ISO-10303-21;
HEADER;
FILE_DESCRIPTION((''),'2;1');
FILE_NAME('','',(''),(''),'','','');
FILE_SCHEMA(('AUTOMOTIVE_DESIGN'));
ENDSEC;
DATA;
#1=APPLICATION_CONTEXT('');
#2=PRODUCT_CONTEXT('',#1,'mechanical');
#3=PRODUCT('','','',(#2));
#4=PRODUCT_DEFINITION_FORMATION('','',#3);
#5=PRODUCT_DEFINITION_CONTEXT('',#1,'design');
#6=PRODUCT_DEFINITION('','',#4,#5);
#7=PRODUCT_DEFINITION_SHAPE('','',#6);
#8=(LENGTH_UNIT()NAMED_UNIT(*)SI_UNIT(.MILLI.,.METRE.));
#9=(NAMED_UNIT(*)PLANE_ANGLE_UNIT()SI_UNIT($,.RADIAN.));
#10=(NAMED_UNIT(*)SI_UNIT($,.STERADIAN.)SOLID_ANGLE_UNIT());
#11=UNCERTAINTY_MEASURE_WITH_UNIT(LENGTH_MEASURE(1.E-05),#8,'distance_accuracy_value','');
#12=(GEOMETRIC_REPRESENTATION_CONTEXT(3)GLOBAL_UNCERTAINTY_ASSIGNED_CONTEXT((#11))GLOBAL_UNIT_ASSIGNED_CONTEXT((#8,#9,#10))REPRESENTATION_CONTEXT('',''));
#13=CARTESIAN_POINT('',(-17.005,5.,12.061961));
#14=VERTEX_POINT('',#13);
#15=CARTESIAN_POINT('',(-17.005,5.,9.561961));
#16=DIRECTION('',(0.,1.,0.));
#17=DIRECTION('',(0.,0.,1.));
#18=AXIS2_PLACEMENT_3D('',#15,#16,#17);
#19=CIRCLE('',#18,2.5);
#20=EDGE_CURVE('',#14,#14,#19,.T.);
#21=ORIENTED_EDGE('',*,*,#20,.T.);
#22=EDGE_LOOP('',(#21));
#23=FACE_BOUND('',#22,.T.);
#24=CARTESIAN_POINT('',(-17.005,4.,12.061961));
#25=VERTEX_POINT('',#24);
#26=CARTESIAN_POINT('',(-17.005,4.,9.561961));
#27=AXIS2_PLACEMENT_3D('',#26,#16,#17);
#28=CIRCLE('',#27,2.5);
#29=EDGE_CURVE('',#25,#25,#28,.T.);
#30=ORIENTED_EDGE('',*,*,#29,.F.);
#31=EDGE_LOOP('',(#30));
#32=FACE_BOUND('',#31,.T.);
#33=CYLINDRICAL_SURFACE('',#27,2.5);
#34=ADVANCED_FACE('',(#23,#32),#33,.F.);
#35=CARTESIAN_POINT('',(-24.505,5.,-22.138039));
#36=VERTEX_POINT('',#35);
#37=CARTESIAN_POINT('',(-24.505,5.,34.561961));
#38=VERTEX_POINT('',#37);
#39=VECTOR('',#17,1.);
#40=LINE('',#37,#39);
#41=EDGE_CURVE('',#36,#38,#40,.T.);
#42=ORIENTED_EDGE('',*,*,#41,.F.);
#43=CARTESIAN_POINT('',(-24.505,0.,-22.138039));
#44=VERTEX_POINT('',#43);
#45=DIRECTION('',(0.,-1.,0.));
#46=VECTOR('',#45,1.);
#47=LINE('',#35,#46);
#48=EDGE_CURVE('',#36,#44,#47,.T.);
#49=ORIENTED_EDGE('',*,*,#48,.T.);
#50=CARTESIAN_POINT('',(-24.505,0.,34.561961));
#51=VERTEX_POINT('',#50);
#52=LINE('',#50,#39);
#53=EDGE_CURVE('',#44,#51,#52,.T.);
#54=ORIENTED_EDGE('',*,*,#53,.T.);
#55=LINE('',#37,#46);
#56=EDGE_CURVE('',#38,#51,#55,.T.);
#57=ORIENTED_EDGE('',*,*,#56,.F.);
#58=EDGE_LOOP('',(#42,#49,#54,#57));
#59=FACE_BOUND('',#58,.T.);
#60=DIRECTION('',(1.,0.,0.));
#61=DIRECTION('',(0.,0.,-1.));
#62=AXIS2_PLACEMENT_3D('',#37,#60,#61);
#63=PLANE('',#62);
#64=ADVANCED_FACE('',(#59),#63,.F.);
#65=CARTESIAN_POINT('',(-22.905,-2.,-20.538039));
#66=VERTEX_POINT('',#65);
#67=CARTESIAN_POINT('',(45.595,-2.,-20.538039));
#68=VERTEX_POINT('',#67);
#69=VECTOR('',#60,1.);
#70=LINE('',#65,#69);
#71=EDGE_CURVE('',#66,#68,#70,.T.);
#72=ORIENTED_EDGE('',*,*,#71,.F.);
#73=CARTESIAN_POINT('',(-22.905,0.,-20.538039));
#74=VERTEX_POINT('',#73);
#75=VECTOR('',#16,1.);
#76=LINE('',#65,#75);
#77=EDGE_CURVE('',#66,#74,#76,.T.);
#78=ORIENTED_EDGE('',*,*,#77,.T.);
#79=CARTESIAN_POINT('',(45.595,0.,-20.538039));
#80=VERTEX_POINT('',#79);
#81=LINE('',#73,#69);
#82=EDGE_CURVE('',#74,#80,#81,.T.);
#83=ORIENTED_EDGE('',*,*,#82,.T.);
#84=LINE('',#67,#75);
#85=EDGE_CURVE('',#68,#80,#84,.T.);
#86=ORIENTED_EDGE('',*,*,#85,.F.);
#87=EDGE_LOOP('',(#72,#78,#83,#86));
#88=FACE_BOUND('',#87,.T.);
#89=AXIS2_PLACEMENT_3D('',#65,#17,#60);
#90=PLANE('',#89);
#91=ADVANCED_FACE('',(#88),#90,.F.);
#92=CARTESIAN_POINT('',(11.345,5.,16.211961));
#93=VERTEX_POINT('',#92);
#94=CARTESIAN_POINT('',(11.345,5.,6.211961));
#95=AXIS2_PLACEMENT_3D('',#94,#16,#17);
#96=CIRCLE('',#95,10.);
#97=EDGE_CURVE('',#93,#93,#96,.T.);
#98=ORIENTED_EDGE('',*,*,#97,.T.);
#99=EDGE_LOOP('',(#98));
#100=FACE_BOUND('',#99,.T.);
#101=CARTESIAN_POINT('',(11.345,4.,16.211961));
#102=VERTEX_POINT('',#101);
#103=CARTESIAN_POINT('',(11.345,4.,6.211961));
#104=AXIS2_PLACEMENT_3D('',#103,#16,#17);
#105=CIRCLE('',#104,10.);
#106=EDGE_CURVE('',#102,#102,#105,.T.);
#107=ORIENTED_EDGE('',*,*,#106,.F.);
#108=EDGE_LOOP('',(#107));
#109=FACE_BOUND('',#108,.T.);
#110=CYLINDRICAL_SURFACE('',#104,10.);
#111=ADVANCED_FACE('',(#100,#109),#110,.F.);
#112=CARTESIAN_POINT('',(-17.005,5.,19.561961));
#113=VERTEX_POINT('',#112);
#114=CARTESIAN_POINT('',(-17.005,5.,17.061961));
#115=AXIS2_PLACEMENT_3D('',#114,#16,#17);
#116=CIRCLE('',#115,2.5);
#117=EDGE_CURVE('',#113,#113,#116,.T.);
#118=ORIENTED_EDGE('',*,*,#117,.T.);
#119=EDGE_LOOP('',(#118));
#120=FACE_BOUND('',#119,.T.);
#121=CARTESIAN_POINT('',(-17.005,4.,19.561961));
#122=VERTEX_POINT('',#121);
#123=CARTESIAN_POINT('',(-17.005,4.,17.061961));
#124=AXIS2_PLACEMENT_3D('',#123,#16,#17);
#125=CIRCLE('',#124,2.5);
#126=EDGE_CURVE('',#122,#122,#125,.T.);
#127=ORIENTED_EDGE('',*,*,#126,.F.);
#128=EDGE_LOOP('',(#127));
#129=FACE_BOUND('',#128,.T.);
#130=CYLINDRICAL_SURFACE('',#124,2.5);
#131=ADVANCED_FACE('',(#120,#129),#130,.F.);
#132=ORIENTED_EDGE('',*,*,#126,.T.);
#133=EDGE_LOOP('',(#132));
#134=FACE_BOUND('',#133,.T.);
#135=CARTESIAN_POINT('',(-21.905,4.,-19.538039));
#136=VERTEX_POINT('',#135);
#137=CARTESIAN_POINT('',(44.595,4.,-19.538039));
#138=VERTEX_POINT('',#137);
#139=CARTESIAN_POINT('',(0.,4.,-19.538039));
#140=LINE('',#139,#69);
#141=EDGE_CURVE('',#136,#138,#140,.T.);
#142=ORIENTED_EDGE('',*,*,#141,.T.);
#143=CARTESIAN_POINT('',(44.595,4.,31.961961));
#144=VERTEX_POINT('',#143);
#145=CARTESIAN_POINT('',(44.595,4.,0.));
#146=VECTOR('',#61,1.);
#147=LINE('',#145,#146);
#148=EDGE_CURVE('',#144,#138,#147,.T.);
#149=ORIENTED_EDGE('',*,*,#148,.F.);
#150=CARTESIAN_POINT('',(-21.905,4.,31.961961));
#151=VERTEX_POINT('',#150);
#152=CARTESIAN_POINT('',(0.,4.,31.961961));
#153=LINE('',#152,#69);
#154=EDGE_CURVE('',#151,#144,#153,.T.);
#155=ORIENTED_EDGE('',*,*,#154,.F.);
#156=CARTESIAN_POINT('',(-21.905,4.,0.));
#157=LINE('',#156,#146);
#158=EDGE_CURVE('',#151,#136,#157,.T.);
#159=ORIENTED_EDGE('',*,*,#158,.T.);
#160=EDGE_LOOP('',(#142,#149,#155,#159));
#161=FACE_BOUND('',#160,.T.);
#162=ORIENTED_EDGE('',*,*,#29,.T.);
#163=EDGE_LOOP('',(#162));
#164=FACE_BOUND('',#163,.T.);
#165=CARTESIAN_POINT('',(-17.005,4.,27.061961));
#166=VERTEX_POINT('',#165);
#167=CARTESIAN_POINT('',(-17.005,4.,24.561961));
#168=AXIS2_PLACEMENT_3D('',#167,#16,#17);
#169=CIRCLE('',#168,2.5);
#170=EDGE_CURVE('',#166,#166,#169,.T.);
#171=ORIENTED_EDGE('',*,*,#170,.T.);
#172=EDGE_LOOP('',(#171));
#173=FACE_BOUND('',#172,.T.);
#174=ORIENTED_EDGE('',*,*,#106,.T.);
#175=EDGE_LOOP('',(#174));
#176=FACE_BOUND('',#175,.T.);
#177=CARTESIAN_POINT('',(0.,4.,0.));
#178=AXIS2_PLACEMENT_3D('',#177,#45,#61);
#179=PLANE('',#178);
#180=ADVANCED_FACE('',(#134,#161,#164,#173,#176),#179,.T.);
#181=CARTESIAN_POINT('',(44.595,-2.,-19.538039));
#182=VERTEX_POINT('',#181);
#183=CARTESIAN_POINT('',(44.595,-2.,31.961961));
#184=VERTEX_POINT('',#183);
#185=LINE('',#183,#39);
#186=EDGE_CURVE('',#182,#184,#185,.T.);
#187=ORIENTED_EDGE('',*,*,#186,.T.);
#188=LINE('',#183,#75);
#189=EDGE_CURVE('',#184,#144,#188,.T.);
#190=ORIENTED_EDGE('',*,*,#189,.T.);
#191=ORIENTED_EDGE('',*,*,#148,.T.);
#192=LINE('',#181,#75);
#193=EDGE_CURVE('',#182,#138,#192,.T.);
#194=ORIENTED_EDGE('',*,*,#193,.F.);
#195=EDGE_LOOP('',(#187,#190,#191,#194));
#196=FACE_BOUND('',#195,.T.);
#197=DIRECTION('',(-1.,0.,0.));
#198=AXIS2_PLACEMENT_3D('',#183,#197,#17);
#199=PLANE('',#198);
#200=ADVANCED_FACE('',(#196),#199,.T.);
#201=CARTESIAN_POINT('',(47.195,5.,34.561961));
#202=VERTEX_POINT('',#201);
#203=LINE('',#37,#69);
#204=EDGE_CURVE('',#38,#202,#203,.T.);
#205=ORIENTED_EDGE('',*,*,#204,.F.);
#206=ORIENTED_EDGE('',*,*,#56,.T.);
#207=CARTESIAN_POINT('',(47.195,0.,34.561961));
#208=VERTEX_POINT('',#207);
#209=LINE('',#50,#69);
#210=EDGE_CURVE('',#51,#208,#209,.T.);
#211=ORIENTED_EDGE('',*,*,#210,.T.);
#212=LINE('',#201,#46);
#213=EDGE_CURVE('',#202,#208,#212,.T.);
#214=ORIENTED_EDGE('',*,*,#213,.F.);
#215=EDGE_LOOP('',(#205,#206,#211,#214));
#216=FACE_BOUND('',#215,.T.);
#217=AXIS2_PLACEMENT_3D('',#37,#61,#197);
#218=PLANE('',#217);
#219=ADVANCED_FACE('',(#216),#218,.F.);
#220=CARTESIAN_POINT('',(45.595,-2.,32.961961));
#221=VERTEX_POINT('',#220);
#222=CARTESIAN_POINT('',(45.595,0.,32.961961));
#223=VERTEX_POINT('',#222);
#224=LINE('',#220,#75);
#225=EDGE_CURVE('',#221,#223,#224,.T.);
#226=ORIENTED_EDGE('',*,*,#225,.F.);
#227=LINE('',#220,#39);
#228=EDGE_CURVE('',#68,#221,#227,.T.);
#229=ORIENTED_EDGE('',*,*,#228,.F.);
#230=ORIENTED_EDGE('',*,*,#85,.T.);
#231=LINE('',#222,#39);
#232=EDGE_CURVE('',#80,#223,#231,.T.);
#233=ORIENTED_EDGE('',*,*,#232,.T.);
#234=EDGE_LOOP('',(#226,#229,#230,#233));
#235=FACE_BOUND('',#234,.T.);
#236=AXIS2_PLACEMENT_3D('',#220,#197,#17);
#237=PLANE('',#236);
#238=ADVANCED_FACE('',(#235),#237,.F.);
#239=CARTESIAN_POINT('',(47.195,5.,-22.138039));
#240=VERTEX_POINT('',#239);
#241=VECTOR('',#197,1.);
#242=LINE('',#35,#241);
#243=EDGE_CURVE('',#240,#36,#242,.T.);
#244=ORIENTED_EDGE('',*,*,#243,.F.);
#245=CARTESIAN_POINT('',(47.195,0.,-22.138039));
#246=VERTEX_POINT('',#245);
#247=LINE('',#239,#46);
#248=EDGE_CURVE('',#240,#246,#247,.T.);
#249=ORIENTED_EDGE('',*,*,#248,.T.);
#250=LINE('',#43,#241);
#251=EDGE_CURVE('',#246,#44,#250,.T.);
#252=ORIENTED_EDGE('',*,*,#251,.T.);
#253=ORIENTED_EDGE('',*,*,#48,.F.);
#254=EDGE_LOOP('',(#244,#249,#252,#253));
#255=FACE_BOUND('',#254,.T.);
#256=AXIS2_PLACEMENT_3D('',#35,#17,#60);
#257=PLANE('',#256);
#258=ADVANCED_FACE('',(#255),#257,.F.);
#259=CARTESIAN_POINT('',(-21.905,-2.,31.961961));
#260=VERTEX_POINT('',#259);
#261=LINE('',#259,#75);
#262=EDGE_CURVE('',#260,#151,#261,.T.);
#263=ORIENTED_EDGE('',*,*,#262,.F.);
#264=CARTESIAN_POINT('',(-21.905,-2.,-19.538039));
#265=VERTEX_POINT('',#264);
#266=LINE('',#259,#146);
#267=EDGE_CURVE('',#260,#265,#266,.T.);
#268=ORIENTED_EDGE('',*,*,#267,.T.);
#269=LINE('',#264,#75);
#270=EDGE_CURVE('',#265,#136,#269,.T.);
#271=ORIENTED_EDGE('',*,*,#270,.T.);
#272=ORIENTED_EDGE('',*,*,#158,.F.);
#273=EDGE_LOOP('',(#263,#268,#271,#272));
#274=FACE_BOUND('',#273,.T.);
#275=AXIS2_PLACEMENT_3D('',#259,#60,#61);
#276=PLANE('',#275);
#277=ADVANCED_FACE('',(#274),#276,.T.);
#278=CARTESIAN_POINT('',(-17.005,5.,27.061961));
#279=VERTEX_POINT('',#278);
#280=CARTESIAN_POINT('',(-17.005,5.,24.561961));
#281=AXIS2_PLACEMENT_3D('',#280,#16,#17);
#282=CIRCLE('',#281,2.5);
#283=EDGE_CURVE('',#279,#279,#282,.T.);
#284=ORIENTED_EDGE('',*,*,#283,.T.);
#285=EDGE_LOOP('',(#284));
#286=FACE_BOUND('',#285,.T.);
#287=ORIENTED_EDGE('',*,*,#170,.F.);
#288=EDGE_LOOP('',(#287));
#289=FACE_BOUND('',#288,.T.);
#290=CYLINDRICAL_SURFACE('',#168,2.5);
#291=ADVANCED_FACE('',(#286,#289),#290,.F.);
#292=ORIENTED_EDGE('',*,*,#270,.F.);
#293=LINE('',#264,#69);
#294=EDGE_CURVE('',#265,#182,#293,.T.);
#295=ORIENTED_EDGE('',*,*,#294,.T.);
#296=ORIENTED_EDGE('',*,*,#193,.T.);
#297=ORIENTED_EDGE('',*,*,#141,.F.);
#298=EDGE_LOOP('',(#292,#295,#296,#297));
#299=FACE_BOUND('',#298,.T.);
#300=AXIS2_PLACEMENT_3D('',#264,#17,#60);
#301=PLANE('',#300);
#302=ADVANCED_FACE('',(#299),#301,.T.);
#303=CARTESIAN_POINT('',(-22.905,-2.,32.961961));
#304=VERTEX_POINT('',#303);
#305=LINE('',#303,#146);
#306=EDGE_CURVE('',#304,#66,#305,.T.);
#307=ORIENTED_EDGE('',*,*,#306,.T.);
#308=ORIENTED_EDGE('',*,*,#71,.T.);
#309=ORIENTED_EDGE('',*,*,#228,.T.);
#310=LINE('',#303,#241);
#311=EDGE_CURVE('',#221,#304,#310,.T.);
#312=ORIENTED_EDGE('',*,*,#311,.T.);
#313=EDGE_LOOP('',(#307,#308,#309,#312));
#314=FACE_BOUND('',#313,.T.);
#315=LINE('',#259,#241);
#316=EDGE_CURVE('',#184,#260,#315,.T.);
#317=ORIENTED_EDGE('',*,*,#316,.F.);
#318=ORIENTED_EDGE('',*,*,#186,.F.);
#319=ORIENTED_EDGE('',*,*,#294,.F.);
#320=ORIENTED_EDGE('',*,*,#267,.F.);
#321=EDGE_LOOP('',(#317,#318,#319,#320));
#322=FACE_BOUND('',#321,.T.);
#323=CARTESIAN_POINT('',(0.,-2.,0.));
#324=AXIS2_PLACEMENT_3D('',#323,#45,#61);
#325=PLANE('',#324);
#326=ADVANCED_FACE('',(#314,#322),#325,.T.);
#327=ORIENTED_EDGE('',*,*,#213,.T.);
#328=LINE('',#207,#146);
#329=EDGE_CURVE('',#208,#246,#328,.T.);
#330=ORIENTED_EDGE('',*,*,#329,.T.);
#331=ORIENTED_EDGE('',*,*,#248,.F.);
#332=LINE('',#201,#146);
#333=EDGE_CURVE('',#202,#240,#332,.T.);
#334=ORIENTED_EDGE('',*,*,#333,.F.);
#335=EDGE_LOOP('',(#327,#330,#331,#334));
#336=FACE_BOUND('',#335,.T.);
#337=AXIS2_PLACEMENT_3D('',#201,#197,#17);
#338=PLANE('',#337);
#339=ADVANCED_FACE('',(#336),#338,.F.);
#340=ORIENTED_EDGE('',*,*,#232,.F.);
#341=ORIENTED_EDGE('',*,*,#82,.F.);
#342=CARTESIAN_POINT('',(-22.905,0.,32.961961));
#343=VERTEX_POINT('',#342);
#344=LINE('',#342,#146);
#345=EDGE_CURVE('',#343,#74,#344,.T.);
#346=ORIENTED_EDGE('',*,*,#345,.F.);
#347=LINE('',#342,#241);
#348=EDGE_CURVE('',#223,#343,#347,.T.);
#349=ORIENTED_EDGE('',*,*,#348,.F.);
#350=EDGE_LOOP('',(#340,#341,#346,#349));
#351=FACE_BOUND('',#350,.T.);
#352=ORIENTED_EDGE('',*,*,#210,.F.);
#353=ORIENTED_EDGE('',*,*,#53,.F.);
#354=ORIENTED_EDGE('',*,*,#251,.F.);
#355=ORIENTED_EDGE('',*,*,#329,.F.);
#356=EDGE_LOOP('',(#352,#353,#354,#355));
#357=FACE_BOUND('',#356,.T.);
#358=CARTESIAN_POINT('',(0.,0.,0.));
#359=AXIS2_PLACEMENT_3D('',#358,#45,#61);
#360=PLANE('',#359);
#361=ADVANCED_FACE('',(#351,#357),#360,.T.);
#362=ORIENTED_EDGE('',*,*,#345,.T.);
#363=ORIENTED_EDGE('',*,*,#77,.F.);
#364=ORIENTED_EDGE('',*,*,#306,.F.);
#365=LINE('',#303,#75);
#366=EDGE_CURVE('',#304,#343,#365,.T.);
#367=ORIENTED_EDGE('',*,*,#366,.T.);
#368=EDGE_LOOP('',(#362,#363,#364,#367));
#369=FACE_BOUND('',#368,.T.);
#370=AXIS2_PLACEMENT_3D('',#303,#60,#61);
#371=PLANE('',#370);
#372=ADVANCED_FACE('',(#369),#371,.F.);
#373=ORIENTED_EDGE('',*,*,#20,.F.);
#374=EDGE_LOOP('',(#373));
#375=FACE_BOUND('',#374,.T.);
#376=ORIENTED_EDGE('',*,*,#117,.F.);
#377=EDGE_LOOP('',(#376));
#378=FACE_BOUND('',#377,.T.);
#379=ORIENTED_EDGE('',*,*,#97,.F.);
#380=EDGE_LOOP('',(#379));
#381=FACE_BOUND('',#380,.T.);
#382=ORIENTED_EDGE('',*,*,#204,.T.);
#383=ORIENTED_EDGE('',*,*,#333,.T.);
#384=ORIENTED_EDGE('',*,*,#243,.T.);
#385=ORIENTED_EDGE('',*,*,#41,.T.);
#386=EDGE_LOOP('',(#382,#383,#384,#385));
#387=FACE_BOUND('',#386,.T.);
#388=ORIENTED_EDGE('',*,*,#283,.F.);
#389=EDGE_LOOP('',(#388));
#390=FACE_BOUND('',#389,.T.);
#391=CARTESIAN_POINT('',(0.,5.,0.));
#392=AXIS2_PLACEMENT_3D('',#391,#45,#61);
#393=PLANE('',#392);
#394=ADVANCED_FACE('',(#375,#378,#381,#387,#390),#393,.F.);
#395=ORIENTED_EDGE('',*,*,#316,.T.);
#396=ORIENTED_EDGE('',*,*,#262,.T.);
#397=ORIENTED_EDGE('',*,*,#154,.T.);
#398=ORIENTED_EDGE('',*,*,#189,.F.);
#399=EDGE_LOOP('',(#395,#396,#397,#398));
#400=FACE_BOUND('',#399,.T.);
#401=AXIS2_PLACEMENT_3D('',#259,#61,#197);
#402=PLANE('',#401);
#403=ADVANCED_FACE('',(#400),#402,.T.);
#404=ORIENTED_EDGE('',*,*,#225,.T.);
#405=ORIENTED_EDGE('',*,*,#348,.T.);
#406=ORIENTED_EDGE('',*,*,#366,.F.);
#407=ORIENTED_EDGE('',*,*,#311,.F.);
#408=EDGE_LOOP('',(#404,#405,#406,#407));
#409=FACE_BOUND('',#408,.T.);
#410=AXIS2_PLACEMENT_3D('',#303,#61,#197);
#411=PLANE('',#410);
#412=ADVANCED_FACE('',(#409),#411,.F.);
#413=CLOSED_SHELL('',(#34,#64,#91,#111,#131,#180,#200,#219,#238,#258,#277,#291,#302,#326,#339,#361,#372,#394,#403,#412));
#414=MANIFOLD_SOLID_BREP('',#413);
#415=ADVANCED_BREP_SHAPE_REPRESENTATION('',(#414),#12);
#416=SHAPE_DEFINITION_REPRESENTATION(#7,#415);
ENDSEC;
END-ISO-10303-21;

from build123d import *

# Parameters (mm, degrees)
SKETCH1_W           = 71.7
SKETCH1_H           = 56.7
BOSS_EXTRUDE1_DEPTH = 5
SKETCH2_W           = 68.5
SKETCH2_H           = 53.5
SKETCH2_W_2         = 66.5
SKETCH2_H_2         = 51.5
BOSS_EXTRUDE2_DEPTH = 2
SKETCH2_2_W         = 66.5
SKETCH2_2_H         = 51.5
CUT_EXTRUDE1_DEPTH  = 4
SKETCH3_R           = 2.5
SKETCH3_R_2         = 10
CUT_EXTRUDE2_DEPTH  = 1


with BuildPart() as part:
    # Sketch1 → Boss-Extrude1 (new body)
    with BuildSketch(Plane(origin=(0, 0, 0), x_dir=(1, 0, 0), z_dir=(0, 1, 0))):
        with Locations((11.345000373, -6.211960564)):
            Rectangle(SKETCH1_W, SKETCH1_H)
    extrude(amount=BOSS_EXTRUDE1_DEPTH)

    # Sketch2 → Boss-Extrude2 (add)
    with BuildSketch(Plane.XZ):
        with Locations((11.345000373, 6.211960564)):
            Rectangle(SKETCH2_W, SKETCH2_H)
        with Locations((11.345000373, 6.211960564)):
            Rectangle(SKETCH2_W_2, SKETCH2_H_2, mode=Mode.SUBTRACT)
    extrude(amount=BOSS_EXTRUDE2_DEPTH)

    # Sketch2<2> → Cut-Extrude1 (cut)
    with BuildSketch(Plane.XZ):
        with Locations((11.345000373, 6.211960564)):
            Rectangle(SKETCH2_2_W, SKETCH2_2_H)
    extrude(amount=-CUT_EXTRUDE1_DEPTH, mode=Mode.SUBTRACT)

    # Sketch3 → Cut-Extrude2 (cut)
    with BuildSketch(Plane(origin=(0, 5, 0), x_dir=(1, 0, 0), z_dir=(0, 1, 0))):
        with Locations((-17.004999627, -24.561960564)):
            Circle(SKETCH3_R)
        with Locations((-17.004999627, -17.061960564)):
            Circle(SKETCH3_R)
        with Locations((-17.004999627, -9.561960564)):
            Circle(SKETCH3_R)
        with Locations((11.345000373, -6.211960564)):
            Circle(SKETCH3_R_2)
    extrude(amount=-CUT_EXTRUDE2_DEPTH, mode=Mode.SUBTRACT)


solid = part.part
